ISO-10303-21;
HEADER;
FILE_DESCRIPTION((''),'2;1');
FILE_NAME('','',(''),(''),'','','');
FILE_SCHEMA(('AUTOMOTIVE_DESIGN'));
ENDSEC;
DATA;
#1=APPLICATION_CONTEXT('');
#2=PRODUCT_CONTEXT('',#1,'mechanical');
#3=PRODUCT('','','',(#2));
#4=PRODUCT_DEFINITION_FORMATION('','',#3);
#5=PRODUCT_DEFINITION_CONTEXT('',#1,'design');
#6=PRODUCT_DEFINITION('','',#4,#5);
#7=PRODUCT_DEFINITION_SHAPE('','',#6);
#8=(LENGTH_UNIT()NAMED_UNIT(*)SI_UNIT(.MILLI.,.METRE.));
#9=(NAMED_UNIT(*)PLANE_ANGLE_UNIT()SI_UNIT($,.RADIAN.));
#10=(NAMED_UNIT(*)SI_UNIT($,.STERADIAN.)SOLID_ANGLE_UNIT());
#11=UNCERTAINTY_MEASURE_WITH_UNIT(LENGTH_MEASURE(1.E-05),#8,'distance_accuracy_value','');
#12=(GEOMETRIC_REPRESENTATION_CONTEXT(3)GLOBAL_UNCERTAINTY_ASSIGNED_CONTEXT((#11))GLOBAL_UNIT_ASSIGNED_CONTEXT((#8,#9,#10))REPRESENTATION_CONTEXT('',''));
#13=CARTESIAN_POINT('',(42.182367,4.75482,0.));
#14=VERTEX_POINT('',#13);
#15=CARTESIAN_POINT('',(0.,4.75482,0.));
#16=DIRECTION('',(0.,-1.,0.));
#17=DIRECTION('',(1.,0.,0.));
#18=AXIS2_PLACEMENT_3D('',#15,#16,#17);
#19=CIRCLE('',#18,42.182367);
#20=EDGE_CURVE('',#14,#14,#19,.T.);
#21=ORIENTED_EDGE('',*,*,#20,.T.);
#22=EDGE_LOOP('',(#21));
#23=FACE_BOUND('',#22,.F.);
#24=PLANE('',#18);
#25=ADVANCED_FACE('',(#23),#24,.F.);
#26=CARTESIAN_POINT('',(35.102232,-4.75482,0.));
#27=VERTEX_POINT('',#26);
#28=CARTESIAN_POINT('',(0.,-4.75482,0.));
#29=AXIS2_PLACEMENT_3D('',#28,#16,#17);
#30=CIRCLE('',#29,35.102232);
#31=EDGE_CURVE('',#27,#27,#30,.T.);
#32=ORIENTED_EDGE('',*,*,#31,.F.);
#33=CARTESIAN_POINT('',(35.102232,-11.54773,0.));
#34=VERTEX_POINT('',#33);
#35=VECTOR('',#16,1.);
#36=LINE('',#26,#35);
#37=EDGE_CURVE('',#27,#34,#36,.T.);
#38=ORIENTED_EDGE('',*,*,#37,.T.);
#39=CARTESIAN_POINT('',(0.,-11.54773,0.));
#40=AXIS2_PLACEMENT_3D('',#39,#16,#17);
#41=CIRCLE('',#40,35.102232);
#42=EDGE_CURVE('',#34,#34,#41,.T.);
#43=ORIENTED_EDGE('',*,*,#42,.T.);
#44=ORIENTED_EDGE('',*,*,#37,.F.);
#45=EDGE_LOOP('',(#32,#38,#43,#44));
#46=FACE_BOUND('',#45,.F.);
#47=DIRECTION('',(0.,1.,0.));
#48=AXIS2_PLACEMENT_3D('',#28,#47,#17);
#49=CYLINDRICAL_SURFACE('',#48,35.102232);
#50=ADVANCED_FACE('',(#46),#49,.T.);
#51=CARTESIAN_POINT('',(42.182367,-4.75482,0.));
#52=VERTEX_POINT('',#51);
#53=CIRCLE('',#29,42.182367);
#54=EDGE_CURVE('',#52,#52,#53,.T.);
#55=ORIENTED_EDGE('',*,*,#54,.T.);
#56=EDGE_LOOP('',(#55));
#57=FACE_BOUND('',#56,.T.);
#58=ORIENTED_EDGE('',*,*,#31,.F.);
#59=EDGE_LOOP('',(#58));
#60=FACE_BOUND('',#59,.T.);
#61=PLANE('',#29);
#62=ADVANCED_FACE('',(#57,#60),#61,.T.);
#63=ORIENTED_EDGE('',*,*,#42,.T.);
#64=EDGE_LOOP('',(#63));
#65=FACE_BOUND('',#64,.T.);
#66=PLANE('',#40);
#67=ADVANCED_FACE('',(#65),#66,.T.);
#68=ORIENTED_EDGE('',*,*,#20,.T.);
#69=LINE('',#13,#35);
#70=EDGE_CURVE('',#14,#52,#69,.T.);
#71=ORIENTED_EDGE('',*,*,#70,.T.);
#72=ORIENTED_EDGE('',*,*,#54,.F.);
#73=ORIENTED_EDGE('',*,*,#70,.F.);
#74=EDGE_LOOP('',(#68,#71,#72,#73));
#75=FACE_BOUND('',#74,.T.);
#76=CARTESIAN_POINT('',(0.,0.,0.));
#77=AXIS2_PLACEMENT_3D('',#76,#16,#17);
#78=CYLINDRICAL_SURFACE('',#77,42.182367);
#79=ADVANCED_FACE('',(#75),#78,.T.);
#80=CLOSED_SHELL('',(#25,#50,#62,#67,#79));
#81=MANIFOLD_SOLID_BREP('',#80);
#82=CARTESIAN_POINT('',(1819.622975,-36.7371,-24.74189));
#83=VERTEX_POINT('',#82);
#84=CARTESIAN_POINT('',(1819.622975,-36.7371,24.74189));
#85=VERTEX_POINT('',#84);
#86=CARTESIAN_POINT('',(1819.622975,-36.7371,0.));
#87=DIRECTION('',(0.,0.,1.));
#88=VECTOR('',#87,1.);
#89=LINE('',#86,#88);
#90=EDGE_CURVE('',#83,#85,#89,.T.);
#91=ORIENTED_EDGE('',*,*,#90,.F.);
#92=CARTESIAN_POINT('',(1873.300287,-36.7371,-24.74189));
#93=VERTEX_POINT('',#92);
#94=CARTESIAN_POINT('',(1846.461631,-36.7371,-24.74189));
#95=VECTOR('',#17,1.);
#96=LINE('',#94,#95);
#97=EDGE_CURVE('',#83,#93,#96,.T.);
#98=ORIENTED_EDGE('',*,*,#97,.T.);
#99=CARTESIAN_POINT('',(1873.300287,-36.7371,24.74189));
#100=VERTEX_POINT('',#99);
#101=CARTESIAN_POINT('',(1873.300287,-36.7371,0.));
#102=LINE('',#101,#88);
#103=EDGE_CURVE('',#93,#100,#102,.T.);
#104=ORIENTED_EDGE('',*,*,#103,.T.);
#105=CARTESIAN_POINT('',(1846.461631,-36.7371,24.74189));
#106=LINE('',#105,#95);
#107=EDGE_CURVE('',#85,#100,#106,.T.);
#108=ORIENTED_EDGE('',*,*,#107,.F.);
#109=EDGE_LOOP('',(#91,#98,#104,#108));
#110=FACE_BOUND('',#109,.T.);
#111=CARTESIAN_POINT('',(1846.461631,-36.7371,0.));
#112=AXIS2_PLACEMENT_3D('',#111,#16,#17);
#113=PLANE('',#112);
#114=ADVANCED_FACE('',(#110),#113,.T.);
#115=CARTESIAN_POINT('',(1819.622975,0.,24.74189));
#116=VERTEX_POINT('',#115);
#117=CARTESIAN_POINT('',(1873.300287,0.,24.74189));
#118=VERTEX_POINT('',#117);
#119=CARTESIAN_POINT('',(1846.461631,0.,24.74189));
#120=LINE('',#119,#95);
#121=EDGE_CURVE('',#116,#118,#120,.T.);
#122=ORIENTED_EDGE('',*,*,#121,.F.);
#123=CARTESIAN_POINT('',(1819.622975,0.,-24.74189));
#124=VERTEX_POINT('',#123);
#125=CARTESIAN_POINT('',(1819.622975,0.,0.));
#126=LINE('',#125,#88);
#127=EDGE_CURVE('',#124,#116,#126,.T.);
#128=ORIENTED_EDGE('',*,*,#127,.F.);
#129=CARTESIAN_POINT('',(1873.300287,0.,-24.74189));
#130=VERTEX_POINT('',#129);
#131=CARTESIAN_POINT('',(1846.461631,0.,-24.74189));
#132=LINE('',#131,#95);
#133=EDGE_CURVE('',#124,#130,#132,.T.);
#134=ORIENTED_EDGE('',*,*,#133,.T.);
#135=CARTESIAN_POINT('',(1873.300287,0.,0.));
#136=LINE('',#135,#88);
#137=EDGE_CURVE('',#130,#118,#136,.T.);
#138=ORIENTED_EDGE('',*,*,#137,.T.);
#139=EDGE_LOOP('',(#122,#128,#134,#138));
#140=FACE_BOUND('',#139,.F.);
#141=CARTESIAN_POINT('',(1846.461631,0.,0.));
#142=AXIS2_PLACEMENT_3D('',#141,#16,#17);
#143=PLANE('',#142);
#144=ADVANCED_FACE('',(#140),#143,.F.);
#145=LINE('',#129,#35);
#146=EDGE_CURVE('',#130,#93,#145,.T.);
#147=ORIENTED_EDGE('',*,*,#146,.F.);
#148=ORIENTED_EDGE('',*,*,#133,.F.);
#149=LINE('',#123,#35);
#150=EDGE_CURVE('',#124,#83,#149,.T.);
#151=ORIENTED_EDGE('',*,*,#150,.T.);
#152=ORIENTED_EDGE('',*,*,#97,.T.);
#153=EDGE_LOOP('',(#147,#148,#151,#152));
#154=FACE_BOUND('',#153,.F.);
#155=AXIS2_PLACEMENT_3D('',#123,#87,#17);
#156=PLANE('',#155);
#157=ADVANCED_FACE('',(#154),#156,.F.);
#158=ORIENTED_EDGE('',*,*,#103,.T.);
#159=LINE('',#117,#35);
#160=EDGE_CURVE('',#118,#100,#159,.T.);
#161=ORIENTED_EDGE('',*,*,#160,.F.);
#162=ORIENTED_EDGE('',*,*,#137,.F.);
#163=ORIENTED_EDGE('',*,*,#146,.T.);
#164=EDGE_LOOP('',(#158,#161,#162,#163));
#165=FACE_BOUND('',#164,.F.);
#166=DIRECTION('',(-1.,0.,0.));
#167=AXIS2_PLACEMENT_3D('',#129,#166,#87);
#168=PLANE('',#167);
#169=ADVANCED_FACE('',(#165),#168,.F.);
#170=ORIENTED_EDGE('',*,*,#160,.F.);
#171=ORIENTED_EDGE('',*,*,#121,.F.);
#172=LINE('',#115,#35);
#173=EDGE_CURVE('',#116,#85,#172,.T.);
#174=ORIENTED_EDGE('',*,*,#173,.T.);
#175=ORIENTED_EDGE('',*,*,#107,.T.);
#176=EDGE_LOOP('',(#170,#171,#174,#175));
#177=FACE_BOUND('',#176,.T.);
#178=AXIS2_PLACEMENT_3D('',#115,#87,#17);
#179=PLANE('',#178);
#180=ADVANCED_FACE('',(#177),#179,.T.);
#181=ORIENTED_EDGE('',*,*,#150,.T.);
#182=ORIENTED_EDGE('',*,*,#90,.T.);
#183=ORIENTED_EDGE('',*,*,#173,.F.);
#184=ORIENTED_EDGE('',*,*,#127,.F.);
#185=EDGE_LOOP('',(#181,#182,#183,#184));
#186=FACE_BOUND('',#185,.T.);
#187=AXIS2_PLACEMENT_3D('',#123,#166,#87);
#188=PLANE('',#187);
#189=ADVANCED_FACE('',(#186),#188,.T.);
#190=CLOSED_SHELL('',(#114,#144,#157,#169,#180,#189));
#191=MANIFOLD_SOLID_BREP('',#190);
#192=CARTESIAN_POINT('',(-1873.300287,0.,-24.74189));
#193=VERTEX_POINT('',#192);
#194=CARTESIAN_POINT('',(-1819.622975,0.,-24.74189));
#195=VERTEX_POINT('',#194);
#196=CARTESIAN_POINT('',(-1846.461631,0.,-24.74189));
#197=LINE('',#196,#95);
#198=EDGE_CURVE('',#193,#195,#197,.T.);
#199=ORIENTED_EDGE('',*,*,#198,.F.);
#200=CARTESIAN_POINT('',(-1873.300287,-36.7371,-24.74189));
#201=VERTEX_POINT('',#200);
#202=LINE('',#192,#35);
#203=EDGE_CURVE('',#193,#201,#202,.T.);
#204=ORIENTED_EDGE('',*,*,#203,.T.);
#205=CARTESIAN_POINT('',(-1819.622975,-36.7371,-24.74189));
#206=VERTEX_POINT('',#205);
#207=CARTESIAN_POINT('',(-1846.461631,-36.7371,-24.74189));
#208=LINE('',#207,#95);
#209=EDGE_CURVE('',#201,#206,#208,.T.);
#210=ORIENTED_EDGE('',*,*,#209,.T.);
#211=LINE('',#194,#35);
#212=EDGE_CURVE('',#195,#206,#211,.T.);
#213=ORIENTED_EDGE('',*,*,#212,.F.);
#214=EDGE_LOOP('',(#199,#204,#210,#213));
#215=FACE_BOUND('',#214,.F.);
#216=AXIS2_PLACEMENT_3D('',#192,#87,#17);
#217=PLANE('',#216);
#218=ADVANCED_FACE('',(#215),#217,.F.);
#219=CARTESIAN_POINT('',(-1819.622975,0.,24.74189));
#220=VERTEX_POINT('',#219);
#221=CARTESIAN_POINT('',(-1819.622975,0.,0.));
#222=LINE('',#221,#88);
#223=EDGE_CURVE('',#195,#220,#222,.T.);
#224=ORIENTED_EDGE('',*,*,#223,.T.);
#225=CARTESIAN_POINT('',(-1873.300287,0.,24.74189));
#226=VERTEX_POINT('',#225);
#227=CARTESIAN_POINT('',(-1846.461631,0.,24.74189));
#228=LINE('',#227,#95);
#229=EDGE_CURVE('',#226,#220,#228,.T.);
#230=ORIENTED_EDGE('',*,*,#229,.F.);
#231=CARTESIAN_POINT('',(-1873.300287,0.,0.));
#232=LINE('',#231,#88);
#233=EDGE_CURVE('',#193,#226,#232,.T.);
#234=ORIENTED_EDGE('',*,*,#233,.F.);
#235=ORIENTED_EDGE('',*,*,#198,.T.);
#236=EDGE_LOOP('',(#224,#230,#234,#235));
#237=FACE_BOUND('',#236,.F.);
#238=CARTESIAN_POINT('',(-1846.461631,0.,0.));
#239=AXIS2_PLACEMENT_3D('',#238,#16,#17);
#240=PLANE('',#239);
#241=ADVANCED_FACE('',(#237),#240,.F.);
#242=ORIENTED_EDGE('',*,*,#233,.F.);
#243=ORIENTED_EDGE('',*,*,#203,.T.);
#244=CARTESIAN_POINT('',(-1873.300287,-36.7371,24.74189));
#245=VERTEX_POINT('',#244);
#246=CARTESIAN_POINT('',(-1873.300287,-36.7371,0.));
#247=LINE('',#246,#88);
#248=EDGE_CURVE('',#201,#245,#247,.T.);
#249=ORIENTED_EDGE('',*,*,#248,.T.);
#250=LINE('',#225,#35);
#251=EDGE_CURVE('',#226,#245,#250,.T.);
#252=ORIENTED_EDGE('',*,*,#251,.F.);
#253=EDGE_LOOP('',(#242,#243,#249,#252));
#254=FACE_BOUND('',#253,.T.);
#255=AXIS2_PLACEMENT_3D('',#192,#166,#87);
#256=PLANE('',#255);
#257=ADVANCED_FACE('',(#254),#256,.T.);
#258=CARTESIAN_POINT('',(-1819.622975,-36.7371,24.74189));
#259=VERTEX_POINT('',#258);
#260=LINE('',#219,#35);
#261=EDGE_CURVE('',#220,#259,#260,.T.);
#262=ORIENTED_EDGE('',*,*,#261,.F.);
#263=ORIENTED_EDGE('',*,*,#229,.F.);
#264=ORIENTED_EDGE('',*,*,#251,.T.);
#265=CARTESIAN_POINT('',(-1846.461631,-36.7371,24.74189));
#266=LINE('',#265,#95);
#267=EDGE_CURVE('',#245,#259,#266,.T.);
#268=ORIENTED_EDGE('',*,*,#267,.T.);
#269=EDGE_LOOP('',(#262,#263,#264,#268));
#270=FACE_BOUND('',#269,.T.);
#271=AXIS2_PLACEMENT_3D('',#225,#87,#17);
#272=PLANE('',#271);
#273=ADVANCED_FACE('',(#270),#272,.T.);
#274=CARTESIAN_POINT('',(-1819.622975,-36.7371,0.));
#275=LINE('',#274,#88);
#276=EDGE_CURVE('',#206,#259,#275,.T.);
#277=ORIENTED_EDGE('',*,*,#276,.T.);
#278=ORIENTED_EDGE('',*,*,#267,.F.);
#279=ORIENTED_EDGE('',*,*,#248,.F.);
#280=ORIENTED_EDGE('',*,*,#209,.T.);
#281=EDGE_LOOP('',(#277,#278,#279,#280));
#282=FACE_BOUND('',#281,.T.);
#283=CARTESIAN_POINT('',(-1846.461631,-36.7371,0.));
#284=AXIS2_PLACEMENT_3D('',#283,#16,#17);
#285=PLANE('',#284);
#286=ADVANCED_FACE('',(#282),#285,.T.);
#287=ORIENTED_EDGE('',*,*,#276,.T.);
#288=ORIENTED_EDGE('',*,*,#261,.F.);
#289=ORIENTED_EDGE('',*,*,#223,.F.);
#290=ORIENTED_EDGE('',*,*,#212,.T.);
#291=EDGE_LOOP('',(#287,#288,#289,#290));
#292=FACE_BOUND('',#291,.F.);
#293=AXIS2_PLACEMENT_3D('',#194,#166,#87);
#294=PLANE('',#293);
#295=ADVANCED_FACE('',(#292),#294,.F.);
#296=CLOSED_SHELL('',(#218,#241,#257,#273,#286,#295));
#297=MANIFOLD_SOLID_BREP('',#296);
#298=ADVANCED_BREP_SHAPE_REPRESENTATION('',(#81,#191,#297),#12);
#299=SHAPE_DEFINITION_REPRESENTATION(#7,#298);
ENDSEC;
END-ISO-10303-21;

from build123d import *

# Parameters (mm, degrees)
F0_R     = 42.182367
F1_DEPTH = 4.75482
F2_R     = 35.102232
F3_DEPTH = 6.79291
F4_W     = 53.677312
F4_H     = 49.48378
F5_DEPTH = 36.7371


with BuildPart() as f1:
    # F0 (on Front) → F1 (new body, symmetric)
    with BuildSketch(Plane.XZ):
        Circle(F0_R)
    extrude(amount=F1_DEPTH, both=True)

    # F2 (on face) → F3 (join)
    with BuildSketch(Plane.XZ.offset(4.75482)):
        Circle(F2_R)
    extrude(amount=F3_DEPTH)


with BuildPart() as f5:
    # F4 (on Front) → F5 (new body)
    with BuildSketch(Plane.XZ):
        with Locations((1846.461631, 0)):
            Rectangle(F4_W, F4_H)
        with Locations((-1846.461631, 0)):
            Rectangle(F4_W, F4_H)
    extrude(amount=F5_DEPTH)


solid = Compound([f1.part, f5.part])
